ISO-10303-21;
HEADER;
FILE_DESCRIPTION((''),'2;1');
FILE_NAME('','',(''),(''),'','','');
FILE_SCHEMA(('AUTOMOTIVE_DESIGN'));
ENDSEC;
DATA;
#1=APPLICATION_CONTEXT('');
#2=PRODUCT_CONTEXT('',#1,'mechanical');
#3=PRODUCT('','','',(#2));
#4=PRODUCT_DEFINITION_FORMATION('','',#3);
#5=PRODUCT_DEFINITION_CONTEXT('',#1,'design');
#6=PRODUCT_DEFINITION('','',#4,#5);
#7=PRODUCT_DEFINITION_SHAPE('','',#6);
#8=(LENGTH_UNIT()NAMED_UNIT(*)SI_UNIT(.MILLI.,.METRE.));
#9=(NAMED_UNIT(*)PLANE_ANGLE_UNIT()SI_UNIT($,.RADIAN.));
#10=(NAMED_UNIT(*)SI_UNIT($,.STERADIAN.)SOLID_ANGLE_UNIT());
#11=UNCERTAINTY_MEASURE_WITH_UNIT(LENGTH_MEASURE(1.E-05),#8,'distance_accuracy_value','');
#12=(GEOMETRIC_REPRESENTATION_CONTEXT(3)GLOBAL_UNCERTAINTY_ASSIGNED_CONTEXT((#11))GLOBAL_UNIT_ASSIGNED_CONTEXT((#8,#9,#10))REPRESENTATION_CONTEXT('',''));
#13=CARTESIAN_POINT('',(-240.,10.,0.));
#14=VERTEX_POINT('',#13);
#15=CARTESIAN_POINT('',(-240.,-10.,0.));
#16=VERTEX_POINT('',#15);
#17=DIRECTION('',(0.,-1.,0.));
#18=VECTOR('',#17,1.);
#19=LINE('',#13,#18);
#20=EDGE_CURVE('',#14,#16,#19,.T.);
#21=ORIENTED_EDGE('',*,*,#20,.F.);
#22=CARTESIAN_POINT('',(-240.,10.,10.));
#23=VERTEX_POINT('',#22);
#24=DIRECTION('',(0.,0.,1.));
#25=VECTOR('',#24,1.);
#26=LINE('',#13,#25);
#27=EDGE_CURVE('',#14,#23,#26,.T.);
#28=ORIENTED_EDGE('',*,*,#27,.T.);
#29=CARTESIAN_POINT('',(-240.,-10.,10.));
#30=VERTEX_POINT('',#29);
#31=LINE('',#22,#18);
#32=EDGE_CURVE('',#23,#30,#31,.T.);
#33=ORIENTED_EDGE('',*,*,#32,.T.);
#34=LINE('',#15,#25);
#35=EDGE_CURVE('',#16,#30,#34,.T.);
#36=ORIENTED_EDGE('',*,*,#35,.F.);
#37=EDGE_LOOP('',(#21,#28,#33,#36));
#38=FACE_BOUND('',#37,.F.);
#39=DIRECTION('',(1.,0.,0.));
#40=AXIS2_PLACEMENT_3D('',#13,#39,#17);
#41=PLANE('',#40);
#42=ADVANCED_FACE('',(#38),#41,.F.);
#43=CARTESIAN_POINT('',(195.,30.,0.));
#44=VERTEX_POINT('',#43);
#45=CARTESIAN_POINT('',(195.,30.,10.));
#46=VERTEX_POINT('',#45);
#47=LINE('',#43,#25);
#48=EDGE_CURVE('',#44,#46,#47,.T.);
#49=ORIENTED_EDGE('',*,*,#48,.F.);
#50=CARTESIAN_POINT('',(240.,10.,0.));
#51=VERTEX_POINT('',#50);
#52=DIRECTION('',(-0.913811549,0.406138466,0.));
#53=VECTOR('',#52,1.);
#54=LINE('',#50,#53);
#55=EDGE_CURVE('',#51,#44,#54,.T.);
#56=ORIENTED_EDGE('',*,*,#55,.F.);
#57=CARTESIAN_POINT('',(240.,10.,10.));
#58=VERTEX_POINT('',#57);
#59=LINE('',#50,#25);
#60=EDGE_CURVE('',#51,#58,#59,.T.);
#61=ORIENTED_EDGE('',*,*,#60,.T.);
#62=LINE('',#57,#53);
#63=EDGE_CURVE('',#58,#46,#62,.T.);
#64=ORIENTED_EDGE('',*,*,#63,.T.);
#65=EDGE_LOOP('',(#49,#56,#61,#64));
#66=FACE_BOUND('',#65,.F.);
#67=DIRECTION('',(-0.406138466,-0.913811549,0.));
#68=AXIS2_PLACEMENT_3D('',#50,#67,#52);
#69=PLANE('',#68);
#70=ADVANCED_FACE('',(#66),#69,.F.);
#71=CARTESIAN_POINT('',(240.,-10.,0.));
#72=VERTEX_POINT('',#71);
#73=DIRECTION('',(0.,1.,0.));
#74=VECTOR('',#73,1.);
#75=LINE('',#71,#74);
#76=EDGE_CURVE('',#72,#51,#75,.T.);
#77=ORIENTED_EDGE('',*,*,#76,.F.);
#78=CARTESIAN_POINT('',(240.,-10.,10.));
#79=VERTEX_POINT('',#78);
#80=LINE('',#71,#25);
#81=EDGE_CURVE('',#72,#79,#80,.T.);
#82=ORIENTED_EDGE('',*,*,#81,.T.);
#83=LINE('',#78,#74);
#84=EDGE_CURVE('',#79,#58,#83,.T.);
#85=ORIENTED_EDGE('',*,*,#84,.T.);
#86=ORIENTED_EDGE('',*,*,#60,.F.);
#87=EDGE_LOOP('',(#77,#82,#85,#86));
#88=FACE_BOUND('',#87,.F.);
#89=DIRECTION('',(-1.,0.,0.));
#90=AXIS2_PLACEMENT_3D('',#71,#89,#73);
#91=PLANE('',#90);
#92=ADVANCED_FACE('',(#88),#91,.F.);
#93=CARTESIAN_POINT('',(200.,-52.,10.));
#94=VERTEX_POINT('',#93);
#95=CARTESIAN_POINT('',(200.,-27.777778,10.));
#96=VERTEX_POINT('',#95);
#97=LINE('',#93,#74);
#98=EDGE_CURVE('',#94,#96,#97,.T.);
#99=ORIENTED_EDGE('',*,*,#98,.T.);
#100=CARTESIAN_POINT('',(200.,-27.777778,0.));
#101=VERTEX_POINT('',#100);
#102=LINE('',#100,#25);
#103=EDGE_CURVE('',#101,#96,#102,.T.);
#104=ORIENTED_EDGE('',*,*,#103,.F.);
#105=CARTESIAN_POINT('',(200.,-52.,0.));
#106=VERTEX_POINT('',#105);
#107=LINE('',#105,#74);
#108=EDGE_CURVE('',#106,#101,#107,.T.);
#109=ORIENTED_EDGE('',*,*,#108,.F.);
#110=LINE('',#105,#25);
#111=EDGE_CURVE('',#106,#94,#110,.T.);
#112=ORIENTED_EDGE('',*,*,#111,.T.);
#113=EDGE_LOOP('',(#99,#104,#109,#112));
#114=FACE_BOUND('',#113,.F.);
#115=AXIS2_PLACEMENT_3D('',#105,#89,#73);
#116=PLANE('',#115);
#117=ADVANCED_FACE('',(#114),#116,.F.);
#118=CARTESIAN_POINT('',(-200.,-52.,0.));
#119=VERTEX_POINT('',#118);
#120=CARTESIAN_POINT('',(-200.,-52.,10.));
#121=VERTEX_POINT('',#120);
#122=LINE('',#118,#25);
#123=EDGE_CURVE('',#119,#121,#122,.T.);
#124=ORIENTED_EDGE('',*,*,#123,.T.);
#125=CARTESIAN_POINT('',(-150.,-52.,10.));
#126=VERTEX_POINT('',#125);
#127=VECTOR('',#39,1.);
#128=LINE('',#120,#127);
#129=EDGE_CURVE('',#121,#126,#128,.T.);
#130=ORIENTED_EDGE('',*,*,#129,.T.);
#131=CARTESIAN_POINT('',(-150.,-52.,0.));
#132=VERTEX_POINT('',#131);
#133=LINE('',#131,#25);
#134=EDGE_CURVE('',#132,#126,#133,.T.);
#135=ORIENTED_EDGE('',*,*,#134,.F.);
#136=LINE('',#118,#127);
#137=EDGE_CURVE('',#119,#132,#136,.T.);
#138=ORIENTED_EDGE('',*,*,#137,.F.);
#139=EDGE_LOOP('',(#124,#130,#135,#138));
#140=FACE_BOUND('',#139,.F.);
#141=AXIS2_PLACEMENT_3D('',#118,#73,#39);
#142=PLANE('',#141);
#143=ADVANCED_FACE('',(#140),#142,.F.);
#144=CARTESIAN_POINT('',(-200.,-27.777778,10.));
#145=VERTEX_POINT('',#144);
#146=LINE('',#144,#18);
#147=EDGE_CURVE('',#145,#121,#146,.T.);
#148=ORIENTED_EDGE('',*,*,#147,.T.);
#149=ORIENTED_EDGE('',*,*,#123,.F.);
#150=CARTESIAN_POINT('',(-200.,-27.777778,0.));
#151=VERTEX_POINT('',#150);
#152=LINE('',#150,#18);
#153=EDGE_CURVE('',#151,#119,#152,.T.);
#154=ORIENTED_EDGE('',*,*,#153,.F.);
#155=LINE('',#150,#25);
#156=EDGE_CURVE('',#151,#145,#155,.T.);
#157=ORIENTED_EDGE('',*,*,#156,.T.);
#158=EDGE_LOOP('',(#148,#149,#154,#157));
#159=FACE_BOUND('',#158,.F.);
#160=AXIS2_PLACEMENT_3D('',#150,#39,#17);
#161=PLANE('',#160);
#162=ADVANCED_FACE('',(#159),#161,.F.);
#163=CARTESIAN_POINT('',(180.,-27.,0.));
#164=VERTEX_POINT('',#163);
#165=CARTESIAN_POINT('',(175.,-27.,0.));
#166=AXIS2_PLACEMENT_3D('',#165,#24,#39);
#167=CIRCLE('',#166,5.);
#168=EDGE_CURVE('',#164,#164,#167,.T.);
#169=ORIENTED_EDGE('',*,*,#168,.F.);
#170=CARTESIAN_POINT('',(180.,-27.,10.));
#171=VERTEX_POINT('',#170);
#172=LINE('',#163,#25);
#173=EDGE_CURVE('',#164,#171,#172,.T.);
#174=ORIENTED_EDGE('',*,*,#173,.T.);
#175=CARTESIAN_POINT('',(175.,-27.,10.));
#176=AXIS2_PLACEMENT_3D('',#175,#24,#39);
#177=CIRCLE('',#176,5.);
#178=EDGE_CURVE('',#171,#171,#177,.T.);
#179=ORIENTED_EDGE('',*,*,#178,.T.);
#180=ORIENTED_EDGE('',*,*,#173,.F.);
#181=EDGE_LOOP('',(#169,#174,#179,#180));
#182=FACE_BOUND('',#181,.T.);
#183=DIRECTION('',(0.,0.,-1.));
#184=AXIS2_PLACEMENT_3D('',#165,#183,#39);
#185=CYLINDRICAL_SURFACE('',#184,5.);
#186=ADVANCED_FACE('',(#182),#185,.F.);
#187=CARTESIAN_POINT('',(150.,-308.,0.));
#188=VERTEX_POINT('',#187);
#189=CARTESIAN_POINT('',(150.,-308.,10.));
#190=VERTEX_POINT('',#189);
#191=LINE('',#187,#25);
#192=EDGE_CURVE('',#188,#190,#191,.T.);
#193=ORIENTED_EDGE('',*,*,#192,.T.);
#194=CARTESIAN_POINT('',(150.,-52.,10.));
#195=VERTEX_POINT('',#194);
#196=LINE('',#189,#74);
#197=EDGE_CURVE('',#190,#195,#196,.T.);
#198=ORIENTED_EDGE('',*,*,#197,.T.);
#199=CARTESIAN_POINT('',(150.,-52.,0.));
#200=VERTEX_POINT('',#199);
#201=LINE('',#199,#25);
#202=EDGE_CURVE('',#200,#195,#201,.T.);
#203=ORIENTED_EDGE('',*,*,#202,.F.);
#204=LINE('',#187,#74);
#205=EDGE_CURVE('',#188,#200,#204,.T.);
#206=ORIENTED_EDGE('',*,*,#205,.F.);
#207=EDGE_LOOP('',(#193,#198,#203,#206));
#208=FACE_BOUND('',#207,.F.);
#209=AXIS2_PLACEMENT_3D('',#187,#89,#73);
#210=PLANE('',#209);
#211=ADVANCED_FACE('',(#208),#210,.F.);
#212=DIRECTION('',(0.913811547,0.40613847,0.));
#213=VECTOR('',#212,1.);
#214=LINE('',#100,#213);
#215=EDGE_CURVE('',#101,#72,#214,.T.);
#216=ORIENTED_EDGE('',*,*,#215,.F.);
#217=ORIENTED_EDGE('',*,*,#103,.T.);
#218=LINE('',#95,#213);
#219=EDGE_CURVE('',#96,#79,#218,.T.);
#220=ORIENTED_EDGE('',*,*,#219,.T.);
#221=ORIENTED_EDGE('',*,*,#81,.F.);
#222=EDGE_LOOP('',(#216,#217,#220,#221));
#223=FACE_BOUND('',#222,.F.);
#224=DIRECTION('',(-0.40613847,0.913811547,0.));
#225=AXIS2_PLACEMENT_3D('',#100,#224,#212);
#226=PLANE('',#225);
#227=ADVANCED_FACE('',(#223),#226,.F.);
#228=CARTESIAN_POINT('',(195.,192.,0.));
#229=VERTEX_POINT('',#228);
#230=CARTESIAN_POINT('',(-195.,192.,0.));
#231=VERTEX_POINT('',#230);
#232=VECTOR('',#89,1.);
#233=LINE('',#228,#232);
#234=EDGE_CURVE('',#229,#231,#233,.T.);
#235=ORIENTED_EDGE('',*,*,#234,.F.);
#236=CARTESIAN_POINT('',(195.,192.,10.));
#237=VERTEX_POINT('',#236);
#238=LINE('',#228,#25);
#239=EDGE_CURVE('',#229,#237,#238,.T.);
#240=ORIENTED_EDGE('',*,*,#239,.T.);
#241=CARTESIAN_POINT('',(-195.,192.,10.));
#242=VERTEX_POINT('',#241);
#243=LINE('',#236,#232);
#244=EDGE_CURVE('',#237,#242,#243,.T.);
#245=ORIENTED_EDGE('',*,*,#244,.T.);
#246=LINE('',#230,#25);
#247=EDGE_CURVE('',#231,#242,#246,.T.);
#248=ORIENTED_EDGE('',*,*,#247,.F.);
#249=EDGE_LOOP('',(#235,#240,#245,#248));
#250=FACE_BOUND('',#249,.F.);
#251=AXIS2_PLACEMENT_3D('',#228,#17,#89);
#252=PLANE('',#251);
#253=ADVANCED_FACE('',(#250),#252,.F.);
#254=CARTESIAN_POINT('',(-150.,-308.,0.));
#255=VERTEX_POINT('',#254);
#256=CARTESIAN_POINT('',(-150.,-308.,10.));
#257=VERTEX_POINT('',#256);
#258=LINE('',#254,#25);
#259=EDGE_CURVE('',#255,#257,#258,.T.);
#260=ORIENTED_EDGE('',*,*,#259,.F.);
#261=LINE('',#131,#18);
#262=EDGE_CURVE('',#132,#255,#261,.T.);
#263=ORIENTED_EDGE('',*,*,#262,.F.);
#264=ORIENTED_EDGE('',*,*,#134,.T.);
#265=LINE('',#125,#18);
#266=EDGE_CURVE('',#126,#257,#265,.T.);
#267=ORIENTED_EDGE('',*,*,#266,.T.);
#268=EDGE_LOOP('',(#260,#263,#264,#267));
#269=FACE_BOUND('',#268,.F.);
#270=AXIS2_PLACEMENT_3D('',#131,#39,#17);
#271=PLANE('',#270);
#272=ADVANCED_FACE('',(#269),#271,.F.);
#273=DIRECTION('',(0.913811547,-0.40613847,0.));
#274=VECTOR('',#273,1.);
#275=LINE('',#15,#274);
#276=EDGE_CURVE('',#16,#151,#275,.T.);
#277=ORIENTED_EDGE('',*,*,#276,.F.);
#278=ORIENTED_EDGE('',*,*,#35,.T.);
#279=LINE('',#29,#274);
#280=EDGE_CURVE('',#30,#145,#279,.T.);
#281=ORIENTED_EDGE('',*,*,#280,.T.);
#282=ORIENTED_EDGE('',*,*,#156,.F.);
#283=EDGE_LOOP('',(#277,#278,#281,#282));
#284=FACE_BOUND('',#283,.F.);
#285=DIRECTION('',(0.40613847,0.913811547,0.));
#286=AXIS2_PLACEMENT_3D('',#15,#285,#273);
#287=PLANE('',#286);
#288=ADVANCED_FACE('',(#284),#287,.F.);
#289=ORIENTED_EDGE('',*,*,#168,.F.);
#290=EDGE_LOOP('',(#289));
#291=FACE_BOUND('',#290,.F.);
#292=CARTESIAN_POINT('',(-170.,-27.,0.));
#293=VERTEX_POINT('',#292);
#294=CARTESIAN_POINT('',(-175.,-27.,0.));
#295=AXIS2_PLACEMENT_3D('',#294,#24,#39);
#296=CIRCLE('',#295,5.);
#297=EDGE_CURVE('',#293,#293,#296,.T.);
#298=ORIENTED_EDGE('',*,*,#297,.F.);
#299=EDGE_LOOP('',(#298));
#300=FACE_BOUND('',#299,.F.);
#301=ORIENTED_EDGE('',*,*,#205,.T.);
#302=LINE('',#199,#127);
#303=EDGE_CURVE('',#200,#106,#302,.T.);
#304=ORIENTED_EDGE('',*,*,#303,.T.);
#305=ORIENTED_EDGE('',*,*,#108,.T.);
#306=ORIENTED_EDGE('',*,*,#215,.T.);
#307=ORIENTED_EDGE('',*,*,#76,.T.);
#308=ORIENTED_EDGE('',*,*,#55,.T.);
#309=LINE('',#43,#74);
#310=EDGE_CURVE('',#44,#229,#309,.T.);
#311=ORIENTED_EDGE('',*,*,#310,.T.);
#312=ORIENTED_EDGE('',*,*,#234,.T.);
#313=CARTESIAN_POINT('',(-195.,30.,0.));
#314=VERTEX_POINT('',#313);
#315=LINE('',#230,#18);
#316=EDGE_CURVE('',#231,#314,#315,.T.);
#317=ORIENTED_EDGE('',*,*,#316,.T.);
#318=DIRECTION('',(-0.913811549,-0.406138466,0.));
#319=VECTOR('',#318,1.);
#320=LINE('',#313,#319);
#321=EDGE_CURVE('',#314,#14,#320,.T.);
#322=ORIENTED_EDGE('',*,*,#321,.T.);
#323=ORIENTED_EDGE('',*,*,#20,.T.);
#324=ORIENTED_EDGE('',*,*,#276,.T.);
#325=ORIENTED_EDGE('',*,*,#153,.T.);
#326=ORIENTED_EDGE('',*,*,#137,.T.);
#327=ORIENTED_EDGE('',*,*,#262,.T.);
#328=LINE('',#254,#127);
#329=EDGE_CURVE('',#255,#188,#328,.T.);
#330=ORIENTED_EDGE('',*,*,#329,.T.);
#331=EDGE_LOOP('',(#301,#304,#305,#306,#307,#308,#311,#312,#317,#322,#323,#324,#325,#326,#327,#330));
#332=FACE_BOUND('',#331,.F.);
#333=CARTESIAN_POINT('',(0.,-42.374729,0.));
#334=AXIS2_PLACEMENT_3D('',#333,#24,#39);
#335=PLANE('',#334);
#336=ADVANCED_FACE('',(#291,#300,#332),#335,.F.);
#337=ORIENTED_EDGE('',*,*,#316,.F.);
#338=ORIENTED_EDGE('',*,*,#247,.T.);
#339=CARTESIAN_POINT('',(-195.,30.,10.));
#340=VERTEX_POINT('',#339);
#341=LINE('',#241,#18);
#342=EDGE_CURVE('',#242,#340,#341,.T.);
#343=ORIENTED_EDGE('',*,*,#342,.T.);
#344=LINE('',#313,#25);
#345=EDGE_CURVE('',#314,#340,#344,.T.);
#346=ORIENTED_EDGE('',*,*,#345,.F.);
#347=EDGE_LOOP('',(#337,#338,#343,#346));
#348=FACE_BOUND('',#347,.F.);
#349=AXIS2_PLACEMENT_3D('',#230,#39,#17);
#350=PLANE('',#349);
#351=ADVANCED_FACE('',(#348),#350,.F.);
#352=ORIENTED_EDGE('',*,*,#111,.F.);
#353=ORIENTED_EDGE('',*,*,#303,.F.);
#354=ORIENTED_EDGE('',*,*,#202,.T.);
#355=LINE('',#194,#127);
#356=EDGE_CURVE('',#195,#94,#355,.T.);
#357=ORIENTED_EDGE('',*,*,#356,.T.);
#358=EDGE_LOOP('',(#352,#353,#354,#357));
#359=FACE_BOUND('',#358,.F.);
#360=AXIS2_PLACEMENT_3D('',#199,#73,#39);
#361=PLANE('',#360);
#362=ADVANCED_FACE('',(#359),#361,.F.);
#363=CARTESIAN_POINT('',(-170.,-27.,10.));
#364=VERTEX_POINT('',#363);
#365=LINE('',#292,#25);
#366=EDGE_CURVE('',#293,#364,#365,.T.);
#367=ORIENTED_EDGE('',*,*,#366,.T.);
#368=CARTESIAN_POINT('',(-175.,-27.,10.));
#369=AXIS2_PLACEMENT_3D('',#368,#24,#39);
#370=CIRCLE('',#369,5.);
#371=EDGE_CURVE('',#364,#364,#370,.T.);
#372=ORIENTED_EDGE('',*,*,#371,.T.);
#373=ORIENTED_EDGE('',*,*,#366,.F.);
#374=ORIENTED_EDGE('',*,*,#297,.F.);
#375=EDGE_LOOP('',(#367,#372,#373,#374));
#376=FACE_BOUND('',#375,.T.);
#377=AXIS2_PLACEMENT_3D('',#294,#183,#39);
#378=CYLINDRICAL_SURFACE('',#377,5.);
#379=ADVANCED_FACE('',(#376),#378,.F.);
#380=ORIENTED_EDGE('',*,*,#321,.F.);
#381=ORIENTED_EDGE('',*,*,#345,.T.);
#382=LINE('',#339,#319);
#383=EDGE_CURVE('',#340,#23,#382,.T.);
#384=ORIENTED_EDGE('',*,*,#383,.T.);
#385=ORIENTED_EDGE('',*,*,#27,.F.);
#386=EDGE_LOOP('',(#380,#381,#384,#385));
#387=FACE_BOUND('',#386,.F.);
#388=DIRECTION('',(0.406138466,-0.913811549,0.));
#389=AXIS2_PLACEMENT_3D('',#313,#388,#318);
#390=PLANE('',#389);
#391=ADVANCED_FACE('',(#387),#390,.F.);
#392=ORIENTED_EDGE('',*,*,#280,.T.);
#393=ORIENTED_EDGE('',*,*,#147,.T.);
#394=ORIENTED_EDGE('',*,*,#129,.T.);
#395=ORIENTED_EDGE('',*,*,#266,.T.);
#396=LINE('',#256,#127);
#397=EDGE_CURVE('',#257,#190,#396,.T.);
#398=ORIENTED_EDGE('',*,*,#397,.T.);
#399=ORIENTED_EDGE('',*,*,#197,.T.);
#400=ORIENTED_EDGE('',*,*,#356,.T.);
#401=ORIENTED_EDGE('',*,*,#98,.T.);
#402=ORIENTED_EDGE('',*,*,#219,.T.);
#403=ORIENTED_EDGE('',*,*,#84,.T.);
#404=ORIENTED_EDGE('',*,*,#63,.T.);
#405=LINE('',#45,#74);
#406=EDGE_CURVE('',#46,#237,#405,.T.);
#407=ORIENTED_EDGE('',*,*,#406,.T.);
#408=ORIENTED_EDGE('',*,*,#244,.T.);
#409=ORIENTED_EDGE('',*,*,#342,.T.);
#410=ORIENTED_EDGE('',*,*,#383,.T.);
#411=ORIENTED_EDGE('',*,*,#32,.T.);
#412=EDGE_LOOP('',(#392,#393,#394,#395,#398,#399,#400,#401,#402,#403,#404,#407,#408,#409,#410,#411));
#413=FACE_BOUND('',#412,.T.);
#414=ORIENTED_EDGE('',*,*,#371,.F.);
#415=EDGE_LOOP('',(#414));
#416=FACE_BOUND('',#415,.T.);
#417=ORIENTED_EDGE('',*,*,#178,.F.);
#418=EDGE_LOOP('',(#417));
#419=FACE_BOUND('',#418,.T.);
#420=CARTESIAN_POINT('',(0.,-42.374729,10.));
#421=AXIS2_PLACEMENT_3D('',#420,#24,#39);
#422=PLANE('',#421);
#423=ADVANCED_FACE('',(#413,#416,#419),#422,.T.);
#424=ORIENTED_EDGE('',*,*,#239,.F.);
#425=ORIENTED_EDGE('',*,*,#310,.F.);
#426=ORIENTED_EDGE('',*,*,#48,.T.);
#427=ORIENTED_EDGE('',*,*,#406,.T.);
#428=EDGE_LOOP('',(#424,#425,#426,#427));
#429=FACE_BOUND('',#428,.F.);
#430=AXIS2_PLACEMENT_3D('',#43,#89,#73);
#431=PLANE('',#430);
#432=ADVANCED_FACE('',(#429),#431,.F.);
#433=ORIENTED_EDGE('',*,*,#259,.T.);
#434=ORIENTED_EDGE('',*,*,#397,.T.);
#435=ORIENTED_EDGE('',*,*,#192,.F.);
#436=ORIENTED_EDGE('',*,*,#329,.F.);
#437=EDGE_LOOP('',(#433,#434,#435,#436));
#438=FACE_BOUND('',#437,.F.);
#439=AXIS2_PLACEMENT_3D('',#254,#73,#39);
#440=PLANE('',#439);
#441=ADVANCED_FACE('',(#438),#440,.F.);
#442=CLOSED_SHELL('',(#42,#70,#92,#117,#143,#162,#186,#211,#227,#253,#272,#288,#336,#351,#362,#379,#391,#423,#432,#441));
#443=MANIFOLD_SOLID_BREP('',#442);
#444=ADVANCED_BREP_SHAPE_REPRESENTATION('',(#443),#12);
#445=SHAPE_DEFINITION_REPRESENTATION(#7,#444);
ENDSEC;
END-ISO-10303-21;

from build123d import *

# Parameters (mm, degrees)
F0_R     = 5
F1_DEPTH = 10


with BuildPart() as f1:
    # F0 (on Top) → F1 (new body)
    with BuildSketch(Plane.XY):
        Polygon((-195, 30), (-240, 10), (-240, -10), (-200, -27.777778), (-200, -52), (-150, -52), (-150, -308), (0, -308), (150, -308), (150, -52), (200, -52), (200, -27.777778), (240, -10), (240, 10), (195, 30), (195, 192), (0, 192), (-195, 192), align=None)
        with Locations((-175, -27)):
            Circle(F0_R, mode=Mode.SUBTRACT)
        with Locations((175, -27)):
            Circle(F0_R, mode=Mode.SUBTRACT)
    extrude(amount=F1_DEPTH)


solid = f1.part
